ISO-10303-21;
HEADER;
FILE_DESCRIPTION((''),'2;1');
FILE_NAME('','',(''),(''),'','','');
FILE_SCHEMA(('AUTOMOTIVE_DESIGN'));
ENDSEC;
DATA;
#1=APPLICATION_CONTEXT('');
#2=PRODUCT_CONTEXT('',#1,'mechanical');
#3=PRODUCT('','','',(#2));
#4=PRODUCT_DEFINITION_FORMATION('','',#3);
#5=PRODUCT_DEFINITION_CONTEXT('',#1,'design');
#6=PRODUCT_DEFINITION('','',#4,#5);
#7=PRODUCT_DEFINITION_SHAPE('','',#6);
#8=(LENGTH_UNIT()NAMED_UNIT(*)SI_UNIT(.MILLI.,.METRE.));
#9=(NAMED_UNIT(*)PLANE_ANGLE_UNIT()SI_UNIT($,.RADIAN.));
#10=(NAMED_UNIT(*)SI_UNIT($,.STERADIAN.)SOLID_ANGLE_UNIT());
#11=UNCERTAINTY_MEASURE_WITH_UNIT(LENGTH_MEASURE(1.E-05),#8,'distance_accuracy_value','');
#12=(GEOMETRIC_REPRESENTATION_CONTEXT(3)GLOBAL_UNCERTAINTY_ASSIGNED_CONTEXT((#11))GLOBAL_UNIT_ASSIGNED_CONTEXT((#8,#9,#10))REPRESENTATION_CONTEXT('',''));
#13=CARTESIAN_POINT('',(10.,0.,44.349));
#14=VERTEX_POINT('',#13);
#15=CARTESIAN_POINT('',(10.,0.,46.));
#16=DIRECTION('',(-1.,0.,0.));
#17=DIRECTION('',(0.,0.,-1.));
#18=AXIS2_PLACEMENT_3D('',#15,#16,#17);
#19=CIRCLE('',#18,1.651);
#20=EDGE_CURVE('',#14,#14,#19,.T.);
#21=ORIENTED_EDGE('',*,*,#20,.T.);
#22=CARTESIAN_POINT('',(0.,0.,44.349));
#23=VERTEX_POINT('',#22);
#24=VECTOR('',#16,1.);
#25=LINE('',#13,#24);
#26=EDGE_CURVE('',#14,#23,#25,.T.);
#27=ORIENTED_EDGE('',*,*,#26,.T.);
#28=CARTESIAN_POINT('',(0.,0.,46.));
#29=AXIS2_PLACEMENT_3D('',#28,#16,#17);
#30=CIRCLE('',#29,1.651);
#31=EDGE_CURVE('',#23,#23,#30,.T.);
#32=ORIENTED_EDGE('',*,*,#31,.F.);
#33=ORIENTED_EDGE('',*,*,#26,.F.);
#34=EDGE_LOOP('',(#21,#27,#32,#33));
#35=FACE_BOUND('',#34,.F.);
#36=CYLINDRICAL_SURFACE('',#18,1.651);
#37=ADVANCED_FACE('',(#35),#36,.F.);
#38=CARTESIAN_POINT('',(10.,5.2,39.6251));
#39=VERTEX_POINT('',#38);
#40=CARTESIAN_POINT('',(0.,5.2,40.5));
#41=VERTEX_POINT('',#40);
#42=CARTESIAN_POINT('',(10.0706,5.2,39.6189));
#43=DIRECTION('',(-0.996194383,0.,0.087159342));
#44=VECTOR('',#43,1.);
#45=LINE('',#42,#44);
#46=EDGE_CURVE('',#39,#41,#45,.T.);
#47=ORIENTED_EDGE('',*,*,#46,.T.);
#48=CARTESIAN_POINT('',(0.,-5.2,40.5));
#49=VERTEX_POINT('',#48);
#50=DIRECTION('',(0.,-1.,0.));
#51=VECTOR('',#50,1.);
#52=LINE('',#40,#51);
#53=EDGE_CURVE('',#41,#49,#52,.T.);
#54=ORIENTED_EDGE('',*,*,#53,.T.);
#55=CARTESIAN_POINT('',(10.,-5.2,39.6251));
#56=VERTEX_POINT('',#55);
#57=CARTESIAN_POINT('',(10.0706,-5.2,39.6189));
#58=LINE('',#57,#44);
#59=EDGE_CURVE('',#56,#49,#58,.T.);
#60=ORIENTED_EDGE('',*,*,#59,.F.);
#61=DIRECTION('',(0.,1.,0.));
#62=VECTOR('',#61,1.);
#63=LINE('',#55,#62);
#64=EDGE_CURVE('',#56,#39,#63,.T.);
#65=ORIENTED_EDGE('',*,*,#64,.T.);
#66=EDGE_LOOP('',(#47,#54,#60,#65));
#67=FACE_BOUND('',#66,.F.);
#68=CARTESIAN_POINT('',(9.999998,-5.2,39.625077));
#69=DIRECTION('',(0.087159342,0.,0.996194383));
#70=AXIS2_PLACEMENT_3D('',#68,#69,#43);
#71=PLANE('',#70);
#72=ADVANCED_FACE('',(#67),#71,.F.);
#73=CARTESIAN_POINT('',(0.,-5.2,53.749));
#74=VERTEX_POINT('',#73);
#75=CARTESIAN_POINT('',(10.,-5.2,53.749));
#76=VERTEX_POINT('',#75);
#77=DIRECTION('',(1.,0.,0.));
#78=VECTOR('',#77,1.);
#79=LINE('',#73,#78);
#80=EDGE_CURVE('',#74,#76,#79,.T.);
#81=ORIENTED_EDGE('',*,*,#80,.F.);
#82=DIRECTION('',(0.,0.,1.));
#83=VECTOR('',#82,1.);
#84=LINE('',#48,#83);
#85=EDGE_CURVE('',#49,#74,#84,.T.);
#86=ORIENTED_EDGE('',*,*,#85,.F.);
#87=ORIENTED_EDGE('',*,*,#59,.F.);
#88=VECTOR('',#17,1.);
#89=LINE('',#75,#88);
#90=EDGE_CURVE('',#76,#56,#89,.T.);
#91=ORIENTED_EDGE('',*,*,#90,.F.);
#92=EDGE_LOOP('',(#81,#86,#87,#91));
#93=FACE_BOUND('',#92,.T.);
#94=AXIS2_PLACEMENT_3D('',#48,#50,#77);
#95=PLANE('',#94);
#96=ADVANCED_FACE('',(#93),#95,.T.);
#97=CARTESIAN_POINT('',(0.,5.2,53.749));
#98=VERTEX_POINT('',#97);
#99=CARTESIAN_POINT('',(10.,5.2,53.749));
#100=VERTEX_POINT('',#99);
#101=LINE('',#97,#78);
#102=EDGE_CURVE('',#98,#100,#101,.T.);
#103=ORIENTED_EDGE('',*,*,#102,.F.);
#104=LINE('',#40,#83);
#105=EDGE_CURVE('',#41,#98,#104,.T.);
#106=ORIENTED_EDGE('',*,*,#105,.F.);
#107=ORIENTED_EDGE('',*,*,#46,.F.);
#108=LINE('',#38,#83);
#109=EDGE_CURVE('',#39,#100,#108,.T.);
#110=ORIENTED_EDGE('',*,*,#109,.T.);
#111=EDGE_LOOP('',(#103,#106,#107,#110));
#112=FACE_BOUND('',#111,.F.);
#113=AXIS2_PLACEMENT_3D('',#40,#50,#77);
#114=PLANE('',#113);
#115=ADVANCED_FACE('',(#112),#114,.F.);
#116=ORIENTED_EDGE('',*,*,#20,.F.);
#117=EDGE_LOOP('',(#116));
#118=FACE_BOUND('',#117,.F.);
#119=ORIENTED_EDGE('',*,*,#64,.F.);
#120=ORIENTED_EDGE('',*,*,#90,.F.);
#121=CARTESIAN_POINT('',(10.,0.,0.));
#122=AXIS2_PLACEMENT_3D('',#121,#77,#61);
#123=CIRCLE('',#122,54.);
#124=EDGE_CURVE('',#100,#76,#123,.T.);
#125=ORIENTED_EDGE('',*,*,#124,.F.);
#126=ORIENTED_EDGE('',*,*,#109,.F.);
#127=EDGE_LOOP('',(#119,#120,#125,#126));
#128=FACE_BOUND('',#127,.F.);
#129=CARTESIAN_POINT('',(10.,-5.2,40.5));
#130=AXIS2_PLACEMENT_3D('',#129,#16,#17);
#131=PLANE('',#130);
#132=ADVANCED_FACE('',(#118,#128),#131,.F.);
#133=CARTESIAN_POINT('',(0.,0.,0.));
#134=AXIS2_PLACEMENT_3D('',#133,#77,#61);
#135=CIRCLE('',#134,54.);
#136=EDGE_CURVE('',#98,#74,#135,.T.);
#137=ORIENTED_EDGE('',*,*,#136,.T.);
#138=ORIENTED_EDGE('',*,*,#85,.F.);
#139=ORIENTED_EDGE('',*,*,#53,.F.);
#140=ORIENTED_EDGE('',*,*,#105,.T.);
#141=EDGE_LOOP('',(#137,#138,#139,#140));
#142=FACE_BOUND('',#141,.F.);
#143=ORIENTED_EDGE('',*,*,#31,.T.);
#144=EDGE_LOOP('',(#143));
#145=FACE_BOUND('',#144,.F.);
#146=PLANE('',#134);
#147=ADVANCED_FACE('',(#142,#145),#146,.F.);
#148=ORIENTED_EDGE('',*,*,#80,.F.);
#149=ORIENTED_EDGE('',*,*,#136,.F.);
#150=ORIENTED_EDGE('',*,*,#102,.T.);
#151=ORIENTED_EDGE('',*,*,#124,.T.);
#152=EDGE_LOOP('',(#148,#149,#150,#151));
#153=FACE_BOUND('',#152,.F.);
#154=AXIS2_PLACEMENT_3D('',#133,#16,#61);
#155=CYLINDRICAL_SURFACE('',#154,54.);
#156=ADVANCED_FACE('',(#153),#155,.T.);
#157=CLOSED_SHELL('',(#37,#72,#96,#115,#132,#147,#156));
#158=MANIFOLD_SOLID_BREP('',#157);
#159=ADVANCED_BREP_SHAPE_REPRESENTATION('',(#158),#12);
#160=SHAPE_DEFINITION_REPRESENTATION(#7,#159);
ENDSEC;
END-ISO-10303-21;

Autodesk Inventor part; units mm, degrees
ref_plane "YZ Plane" through (0, 0, 0) normal (1, 0, 0) x (0, 1, 0)
ref_plane "XZ Plane" through (0, 0, 0) normal (0, 1, 0) x (-1, 0, 0)
ref_plane "XY Plane" through (0, 0, 0) normal (0, 0, 1) x (1, 0, 0)
sketch "Sketch1" plane through (0, 0, 0) normal (1, 0, 0) x (0, 1, 0)
  circle A0 centre (0, 0) radius 54
  circle A1 centre (0, 46) radius 1
  circle A2 centre (0, 46) radius 5.5
  line L0 (5.2, 40.5) -> (-5.2, 40.5)
  arc A3 (5.2, 53.749) -> (-5.2, 53.749) centre (0, 0) ccw
  line L1 (5.2, 53.749) -> (5.2, 40.5)
  line L2 (-5.2, 53.749) -> (-5.2, 40.5)
  circle A4 centre (0, 46) radius 5.2
  dimension "d0" = 108
  dimension "d1" = 46
  dimension "d2" = 2
  dimension "d3" = 11
  dimension "d23" = 10.4
  dimension "d24" = 0
extrude "Extrusion1" add sketch "Sketch1" along normal blind 10 contours L1 A2 L2 A0 | L1 A4 L2 A2 | A4 | L1 A2 L2 A4 | A2 L0 L2 | L1 L0 A2 | A1
sketch "Sketch2" plane through (10, 0, 0) normal (1, 0, 0) x (0, 0, -1)
  circle A0 centre (0, 0) radius 54
  point P0 (-46, 0)
  dimension "d15" = 46
hole "Hole2" at (10, 0, 46) direction (-1, 0, 0) diameter 3.302 end through all thread size "8-32 UNC" class "2B" standard "ANSI Unified Screw Threads"
sketch "Sketch3" plane through (0, -5.2, 40.5) normal (0, -1, 0) x (1, 0, 0)
  line L0 (0, 0) -> (10, 0)
  line L1 (0, 0) -> (10, 0) projected
  line L2 (10.0706, -0.8811) -> (0, 0)
  line L3 (10, 13.249) -> (10, 0) projected
  line L4 (10, 0) -> (10, -0.8749)
  point P0 (0, -40.5)
  dimension "d25" = 5
extrude "Extrusion2" add sketch "Sketch3" against normal up to surface (10.4 mm away)
properties part number "32110_Lock Wedge_V1" material "Acetal Resin, White"
